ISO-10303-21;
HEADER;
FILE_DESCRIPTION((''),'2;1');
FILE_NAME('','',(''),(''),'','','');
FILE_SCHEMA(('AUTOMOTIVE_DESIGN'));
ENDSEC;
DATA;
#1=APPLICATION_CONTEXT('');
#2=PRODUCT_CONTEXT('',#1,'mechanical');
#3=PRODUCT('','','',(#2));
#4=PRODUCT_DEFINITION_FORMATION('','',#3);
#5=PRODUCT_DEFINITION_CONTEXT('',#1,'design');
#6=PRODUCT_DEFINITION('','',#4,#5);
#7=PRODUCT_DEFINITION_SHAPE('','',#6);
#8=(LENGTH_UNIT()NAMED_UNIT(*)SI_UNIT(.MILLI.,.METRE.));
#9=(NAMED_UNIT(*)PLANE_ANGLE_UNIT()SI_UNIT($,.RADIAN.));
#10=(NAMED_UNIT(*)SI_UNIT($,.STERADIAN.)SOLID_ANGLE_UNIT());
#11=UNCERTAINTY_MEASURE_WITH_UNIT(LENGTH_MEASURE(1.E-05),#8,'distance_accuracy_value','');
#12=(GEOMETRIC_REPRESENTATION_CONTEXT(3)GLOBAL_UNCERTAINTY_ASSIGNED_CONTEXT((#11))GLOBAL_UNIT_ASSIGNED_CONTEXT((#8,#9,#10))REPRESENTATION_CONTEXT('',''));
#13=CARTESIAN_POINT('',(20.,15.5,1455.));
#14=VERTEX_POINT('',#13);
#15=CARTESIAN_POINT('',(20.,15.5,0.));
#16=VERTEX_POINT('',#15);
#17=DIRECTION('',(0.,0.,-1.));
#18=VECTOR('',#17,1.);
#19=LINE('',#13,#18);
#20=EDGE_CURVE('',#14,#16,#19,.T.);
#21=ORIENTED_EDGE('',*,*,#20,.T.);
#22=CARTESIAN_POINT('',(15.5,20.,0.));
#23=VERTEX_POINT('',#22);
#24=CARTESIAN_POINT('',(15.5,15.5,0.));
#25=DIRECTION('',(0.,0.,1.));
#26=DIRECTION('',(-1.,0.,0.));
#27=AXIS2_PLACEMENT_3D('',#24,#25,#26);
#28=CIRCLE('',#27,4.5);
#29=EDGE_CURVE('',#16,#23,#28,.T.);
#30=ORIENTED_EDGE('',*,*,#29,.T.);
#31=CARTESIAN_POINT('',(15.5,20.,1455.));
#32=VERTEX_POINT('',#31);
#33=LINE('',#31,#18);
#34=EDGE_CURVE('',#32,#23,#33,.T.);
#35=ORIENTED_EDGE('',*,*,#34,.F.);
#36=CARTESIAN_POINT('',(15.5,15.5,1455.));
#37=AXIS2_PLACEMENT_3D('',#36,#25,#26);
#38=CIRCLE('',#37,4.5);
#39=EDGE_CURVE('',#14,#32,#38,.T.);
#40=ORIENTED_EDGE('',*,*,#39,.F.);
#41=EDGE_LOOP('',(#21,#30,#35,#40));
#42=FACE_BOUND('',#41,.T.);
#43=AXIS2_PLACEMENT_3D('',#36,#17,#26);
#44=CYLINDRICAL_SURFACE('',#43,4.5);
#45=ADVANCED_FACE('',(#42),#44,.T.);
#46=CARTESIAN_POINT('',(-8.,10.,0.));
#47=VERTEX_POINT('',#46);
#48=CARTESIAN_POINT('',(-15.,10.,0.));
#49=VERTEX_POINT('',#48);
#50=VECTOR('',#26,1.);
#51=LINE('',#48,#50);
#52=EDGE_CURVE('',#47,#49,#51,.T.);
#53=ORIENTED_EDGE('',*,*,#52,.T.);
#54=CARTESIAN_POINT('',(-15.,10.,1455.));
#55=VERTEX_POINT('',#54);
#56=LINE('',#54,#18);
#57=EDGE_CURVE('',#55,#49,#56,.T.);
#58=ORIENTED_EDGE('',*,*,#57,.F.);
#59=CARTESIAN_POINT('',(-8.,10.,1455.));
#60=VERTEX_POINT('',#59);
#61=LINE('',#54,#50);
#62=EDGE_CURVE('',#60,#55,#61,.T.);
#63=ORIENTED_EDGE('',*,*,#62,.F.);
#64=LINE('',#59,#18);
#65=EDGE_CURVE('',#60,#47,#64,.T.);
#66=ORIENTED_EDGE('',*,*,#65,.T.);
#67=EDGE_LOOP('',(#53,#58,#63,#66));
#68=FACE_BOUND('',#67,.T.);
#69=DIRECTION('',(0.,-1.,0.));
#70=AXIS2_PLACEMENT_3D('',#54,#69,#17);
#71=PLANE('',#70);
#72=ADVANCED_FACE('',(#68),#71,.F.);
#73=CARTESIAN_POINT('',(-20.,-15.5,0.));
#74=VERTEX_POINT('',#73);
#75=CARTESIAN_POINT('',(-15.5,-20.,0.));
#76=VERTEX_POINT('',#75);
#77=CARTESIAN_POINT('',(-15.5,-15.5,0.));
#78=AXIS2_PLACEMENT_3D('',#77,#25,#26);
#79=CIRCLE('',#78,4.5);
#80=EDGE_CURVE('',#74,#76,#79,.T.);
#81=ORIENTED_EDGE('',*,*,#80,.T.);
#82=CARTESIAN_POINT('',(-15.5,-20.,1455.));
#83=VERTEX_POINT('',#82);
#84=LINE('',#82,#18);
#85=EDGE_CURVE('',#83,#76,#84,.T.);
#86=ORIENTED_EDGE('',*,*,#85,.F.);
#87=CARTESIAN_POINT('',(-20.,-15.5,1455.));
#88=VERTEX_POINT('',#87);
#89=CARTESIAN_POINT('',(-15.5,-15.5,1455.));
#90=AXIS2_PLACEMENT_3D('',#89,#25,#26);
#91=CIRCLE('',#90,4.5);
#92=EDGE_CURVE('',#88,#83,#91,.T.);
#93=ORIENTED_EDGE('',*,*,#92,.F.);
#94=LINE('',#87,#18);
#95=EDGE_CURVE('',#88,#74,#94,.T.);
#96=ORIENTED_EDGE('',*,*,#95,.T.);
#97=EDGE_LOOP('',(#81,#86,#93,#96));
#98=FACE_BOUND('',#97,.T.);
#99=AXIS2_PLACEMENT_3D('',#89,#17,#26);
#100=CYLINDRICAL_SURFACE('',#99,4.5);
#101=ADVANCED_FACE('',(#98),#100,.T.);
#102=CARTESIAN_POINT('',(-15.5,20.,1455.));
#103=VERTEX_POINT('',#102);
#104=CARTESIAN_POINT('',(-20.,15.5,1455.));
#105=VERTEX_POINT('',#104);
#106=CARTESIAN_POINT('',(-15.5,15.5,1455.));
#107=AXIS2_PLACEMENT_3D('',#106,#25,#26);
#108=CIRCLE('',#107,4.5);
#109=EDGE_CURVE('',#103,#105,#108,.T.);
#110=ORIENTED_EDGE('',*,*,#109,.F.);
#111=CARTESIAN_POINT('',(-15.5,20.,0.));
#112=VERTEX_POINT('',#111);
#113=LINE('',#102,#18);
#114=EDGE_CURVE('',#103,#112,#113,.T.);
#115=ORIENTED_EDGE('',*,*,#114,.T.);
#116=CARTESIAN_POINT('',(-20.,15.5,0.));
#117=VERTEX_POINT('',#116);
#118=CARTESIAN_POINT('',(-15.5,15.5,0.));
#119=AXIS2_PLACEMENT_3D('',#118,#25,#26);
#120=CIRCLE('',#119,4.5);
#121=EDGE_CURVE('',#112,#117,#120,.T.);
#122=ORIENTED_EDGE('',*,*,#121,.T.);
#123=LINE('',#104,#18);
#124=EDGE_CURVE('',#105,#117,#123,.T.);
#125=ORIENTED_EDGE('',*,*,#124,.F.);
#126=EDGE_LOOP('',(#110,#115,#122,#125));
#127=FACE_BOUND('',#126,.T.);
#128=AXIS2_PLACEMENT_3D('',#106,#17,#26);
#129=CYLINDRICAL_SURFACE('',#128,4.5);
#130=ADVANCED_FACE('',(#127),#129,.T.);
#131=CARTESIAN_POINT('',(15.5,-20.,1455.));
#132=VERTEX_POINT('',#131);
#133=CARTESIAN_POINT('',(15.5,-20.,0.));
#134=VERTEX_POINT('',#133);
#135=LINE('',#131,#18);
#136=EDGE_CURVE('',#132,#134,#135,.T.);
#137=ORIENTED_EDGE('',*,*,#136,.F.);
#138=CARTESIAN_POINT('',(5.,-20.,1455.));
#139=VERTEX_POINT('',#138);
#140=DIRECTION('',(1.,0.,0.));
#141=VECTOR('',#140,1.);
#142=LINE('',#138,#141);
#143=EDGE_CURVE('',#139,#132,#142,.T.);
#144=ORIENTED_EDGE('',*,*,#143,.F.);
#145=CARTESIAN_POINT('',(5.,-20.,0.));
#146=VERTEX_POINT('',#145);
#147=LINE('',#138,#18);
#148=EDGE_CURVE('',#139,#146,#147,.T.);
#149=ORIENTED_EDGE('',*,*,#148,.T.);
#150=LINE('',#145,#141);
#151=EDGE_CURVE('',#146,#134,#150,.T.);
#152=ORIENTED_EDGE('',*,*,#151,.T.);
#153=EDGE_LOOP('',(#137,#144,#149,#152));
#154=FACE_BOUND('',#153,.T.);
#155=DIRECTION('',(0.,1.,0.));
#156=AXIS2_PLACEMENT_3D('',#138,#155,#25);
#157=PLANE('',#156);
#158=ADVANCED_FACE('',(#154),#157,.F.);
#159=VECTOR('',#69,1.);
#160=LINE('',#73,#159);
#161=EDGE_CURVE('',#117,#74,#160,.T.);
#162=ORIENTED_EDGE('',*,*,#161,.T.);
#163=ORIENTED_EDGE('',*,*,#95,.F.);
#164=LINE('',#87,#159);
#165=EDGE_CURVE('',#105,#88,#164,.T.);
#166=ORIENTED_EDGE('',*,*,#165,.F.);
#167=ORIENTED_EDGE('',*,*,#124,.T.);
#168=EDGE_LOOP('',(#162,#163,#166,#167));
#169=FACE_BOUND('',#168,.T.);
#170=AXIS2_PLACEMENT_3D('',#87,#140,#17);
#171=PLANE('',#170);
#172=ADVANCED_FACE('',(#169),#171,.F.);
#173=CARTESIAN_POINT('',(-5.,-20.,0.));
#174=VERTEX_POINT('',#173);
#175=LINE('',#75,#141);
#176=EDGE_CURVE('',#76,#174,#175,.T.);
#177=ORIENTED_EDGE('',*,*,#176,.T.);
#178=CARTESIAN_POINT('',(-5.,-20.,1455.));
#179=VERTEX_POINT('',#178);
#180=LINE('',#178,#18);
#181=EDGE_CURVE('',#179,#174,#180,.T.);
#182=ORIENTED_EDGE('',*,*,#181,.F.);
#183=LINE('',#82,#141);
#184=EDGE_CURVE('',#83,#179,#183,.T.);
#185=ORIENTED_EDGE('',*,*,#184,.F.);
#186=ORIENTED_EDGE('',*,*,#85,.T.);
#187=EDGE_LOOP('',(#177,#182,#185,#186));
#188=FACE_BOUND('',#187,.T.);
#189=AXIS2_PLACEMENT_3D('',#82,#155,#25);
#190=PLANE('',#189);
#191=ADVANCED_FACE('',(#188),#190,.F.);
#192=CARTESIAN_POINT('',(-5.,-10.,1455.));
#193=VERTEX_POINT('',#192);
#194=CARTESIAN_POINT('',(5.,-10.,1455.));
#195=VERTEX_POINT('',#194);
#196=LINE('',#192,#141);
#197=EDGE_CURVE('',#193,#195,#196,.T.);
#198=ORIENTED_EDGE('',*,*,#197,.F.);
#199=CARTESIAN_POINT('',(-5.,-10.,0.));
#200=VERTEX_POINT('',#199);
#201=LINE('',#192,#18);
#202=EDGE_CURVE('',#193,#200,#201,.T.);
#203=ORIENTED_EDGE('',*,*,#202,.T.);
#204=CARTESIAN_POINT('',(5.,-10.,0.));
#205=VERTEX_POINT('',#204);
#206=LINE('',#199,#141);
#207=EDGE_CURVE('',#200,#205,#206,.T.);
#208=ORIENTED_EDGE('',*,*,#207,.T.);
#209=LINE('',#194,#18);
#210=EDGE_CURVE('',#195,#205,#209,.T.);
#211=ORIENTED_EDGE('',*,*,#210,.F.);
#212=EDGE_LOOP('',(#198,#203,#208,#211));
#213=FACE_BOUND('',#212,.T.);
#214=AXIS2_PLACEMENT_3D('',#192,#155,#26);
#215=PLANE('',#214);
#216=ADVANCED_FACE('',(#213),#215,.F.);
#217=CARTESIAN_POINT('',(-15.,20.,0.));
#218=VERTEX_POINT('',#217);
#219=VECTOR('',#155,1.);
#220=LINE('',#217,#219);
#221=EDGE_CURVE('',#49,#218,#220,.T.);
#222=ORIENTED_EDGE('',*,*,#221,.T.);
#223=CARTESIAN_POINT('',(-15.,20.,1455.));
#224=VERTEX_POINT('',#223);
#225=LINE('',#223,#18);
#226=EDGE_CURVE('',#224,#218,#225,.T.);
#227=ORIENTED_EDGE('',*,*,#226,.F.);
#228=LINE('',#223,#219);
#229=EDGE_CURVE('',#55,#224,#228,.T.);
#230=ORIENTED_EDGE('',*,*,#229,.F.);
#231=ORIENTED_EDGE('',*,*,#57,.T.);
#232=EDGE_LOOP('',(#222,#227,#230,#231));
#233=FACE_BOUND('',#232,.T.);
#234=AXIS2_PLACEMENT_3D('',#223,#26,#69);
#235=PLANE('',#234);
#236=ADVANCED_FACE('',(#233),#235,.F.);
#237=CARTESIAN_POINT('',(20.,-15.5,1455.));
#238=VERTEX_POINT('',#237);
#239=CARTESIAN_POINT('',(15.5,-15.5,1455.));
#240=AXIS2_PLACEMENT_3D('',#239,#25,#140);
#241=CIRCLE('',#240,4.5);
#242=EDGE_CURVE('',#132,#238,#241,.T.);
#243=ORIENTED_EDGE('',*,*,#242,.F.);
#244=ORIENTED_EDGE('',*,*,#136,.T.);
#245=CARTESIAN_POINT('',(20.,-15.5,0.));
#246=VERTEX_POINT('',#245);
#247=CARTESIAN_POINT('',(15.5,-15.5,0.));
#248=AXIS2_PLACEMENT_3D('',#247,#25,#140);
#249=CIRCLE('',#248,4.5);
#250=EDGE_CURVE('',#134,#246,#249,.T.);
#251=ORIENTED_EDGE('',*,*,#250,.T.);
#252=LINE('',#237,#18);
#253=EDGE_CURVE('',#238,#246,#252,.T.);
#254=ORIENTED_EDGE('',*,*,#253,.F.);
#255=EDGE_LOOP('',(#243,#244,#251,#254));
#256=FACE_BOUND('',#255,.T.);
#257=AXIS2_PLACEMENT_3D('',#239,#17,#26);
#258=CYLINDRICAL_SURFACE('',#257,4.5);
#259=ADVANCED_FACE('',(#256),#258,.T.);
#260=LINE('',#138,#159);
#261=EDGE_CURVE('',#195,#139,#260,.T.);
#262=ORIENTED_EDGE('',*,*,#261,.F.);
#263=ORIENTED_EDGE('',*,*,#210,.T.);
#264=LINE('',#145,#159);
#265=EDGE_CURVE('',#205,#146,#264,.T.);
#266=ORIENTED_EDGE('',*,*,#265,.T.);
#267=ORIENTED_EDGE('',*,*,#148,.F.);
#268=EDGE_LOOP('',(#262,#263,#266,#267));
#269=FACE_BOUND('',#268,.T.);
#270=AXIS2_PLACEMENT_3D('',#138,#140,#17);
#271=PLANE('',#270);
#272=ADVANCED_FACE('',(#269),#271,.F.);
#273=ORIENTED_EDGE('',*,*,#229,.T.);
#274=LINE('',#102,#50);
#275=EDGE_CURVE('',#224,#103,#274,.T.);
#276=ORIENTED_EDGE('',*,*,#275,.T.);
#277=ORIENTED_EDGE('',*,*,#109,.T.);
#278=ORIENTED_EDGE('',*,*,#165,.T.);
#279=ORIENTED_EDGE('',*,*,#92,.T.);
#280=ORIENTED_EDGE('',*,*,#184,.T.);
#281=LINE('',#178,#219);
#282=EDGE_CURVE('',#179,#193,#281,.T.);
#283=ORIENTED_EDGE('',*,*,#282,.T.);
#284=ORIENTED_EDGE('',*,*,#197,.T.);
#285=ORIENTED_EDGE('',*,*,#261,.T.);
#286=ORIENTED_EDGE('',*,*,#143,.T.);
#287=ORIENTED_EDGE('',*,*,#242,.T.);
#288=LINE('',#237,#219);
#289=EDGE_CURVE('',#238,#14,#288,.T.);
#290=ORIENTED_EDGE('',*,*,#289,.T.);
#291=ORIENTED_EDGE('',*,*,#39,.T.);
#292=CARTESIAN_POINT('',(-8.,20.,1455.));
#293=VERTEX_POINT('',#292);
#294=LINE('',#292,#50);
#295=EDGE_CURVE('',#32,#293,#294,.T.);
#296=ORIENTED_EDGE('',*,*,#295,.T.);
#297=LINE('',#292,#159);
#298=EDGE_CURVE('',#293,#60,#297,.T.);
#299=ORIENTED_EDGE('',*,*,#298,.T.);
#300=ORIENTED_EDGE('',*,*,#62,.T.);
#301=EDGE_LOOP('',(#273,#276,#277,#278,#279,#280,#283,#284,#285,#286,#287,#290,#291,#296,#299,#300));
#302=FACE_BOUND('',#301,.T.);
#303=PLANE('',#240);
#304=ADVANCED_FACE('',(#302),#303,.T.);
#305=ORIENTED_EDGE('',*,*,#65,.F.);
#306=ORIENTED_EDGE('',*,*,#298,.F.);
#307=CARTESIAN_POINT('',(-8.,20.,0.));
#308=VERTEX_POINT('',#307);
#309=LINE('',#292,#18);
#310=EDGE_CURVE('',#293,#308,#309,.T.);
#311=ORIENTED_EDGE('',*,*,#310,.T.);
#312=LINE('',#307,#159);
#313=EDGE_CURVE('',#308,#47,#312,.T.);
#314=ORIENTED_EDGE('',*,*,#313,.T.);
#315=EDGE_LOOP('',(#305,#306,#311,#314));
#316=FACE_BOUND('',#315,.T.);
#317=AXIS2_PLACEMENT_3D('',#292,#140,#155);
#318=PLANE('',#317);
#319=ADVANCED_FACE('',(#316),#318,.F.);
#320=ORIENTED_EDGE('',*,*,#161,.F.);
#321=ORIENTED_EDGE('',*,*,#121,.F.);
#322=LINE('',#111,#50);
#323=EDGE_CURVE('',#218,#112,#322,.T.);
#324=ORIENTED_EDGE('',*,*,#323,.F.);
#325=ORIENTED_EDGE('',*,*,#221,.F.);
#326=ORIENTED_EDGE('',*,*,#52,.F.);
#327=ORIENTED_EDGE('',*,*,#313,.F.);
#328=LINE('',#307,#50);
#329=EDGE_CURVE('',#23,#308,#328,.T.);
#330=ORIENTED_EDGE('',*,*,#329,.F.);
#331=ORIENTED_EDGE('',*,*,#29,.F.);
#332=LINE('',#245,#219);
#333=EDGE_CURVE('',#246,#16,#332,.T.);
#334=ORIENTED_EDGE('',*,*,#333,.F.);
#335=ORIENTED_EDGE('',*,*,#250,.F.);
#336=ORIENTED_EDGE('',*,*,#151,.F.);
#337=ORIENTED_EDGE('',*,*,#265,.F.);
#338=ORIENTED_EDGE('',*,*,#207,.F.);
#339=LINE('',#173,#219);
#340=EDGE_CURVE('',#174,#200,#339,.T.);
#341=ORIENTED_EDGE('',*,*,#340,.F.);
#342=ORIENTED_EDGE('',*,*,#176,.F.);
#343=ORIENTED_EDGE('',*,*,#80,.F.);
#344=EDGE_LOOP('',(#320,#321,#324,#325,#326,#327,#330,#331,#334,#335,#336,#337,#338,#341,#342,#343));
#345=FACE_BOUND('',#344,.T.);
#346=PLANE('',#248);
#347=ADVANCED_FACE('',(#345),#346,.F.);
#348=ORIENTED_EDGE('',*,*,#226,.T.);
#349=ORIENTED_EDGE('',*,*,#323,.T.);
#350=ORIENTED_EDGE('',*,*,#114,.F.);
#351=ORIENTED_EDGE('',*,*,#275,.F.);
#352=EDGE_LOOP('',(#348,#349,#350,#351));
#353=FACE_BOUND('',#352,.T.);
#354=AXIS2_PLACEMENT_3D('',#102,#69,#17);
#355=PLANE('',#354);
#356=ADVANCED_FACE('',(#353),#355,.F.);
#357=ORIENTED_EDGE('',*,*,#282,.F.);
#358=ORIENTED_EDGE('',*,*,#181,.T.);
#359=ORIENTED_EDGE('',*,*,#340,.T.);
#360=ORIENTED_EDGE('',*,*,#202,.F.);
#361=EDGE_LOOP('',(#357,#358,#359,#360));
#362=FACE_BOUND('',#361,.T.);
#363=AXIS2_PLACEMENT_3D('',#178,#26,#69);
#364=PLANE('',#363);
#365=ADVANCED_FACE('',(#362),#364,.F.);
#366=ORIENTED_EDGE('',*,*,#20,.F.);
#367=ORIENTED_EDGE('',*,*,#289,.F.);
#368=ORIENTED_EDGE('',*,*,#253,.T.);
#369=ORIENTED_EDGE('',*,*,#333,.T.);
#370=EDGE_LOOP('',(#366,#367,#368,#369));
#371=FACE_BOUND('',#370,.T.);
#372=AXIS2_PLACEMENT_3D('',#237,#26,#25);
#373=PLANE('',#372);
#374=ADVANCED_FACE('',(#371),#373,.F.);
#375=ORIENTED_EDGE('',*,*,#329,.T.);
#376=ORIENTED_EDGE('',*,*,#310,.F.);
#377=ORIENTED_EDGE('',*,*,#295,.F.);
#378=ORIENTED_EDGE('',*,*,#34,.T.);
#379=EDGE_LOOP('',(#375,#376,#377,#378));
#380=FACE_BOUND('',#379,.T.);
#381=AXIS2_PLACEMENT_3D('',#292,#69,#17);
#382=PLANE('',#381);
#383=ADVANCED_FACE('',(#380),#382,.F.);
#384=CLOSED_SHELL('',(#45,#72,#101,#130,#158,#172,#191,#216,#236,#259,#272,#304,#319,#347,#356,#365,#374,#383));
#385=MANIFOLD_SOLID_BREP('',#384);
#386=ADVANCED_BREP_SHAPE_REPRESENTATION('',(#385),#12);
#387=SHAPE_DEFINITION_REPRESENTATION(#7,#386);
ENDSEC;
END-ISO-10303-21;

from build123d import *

# Parameters (mm, degrees)
BOSS_EXTRUDE1_DEPTH = 1455


with BuildPart() as part:
    # Sketch1 → Boss-Extrude1 (new body)
    with BuildSketch(Plane.XY):
        with BuildLine():
            Line((-15.5, -20), (-5, -20))
            Line((-5, -20), (-5, -10))
            Line((-5, -10), (5, -10))
            Line((5, -10), (5, -20))
            Line((5, -20), (15.5, -20))
            ThreePointArc((15.5, -20), (18.681980515, -18.681980515), (20, -15.5))
            Line((20, -15.5), (20, 15.5))
            ThreePointArc((20, 15.5), (18.681980515, 18.681980515), (15.5, 20))
            Line((15.5, 20), (-8, 20))
            Line((-8, 20), (-8, 10))
            Line((-8, 10), (-15, 10))
            Line((-15, 10), (-15, 20))
            Line((-15, 20), (-15.5, 20))
            ThreePointArc((-15.5, 20), (-18.681980515, 18.681980515), (-20, 15.5))
            Line((-20, 15.5), (-20, -15.5))
            ThreePointArc((-20, -15.5), (-18.681980515, -18.681980515), (-15.5, -20))
        make_face()
    extrude(amount=BOSS_EXTRUDE1_DEPTH)


solid = part.part
